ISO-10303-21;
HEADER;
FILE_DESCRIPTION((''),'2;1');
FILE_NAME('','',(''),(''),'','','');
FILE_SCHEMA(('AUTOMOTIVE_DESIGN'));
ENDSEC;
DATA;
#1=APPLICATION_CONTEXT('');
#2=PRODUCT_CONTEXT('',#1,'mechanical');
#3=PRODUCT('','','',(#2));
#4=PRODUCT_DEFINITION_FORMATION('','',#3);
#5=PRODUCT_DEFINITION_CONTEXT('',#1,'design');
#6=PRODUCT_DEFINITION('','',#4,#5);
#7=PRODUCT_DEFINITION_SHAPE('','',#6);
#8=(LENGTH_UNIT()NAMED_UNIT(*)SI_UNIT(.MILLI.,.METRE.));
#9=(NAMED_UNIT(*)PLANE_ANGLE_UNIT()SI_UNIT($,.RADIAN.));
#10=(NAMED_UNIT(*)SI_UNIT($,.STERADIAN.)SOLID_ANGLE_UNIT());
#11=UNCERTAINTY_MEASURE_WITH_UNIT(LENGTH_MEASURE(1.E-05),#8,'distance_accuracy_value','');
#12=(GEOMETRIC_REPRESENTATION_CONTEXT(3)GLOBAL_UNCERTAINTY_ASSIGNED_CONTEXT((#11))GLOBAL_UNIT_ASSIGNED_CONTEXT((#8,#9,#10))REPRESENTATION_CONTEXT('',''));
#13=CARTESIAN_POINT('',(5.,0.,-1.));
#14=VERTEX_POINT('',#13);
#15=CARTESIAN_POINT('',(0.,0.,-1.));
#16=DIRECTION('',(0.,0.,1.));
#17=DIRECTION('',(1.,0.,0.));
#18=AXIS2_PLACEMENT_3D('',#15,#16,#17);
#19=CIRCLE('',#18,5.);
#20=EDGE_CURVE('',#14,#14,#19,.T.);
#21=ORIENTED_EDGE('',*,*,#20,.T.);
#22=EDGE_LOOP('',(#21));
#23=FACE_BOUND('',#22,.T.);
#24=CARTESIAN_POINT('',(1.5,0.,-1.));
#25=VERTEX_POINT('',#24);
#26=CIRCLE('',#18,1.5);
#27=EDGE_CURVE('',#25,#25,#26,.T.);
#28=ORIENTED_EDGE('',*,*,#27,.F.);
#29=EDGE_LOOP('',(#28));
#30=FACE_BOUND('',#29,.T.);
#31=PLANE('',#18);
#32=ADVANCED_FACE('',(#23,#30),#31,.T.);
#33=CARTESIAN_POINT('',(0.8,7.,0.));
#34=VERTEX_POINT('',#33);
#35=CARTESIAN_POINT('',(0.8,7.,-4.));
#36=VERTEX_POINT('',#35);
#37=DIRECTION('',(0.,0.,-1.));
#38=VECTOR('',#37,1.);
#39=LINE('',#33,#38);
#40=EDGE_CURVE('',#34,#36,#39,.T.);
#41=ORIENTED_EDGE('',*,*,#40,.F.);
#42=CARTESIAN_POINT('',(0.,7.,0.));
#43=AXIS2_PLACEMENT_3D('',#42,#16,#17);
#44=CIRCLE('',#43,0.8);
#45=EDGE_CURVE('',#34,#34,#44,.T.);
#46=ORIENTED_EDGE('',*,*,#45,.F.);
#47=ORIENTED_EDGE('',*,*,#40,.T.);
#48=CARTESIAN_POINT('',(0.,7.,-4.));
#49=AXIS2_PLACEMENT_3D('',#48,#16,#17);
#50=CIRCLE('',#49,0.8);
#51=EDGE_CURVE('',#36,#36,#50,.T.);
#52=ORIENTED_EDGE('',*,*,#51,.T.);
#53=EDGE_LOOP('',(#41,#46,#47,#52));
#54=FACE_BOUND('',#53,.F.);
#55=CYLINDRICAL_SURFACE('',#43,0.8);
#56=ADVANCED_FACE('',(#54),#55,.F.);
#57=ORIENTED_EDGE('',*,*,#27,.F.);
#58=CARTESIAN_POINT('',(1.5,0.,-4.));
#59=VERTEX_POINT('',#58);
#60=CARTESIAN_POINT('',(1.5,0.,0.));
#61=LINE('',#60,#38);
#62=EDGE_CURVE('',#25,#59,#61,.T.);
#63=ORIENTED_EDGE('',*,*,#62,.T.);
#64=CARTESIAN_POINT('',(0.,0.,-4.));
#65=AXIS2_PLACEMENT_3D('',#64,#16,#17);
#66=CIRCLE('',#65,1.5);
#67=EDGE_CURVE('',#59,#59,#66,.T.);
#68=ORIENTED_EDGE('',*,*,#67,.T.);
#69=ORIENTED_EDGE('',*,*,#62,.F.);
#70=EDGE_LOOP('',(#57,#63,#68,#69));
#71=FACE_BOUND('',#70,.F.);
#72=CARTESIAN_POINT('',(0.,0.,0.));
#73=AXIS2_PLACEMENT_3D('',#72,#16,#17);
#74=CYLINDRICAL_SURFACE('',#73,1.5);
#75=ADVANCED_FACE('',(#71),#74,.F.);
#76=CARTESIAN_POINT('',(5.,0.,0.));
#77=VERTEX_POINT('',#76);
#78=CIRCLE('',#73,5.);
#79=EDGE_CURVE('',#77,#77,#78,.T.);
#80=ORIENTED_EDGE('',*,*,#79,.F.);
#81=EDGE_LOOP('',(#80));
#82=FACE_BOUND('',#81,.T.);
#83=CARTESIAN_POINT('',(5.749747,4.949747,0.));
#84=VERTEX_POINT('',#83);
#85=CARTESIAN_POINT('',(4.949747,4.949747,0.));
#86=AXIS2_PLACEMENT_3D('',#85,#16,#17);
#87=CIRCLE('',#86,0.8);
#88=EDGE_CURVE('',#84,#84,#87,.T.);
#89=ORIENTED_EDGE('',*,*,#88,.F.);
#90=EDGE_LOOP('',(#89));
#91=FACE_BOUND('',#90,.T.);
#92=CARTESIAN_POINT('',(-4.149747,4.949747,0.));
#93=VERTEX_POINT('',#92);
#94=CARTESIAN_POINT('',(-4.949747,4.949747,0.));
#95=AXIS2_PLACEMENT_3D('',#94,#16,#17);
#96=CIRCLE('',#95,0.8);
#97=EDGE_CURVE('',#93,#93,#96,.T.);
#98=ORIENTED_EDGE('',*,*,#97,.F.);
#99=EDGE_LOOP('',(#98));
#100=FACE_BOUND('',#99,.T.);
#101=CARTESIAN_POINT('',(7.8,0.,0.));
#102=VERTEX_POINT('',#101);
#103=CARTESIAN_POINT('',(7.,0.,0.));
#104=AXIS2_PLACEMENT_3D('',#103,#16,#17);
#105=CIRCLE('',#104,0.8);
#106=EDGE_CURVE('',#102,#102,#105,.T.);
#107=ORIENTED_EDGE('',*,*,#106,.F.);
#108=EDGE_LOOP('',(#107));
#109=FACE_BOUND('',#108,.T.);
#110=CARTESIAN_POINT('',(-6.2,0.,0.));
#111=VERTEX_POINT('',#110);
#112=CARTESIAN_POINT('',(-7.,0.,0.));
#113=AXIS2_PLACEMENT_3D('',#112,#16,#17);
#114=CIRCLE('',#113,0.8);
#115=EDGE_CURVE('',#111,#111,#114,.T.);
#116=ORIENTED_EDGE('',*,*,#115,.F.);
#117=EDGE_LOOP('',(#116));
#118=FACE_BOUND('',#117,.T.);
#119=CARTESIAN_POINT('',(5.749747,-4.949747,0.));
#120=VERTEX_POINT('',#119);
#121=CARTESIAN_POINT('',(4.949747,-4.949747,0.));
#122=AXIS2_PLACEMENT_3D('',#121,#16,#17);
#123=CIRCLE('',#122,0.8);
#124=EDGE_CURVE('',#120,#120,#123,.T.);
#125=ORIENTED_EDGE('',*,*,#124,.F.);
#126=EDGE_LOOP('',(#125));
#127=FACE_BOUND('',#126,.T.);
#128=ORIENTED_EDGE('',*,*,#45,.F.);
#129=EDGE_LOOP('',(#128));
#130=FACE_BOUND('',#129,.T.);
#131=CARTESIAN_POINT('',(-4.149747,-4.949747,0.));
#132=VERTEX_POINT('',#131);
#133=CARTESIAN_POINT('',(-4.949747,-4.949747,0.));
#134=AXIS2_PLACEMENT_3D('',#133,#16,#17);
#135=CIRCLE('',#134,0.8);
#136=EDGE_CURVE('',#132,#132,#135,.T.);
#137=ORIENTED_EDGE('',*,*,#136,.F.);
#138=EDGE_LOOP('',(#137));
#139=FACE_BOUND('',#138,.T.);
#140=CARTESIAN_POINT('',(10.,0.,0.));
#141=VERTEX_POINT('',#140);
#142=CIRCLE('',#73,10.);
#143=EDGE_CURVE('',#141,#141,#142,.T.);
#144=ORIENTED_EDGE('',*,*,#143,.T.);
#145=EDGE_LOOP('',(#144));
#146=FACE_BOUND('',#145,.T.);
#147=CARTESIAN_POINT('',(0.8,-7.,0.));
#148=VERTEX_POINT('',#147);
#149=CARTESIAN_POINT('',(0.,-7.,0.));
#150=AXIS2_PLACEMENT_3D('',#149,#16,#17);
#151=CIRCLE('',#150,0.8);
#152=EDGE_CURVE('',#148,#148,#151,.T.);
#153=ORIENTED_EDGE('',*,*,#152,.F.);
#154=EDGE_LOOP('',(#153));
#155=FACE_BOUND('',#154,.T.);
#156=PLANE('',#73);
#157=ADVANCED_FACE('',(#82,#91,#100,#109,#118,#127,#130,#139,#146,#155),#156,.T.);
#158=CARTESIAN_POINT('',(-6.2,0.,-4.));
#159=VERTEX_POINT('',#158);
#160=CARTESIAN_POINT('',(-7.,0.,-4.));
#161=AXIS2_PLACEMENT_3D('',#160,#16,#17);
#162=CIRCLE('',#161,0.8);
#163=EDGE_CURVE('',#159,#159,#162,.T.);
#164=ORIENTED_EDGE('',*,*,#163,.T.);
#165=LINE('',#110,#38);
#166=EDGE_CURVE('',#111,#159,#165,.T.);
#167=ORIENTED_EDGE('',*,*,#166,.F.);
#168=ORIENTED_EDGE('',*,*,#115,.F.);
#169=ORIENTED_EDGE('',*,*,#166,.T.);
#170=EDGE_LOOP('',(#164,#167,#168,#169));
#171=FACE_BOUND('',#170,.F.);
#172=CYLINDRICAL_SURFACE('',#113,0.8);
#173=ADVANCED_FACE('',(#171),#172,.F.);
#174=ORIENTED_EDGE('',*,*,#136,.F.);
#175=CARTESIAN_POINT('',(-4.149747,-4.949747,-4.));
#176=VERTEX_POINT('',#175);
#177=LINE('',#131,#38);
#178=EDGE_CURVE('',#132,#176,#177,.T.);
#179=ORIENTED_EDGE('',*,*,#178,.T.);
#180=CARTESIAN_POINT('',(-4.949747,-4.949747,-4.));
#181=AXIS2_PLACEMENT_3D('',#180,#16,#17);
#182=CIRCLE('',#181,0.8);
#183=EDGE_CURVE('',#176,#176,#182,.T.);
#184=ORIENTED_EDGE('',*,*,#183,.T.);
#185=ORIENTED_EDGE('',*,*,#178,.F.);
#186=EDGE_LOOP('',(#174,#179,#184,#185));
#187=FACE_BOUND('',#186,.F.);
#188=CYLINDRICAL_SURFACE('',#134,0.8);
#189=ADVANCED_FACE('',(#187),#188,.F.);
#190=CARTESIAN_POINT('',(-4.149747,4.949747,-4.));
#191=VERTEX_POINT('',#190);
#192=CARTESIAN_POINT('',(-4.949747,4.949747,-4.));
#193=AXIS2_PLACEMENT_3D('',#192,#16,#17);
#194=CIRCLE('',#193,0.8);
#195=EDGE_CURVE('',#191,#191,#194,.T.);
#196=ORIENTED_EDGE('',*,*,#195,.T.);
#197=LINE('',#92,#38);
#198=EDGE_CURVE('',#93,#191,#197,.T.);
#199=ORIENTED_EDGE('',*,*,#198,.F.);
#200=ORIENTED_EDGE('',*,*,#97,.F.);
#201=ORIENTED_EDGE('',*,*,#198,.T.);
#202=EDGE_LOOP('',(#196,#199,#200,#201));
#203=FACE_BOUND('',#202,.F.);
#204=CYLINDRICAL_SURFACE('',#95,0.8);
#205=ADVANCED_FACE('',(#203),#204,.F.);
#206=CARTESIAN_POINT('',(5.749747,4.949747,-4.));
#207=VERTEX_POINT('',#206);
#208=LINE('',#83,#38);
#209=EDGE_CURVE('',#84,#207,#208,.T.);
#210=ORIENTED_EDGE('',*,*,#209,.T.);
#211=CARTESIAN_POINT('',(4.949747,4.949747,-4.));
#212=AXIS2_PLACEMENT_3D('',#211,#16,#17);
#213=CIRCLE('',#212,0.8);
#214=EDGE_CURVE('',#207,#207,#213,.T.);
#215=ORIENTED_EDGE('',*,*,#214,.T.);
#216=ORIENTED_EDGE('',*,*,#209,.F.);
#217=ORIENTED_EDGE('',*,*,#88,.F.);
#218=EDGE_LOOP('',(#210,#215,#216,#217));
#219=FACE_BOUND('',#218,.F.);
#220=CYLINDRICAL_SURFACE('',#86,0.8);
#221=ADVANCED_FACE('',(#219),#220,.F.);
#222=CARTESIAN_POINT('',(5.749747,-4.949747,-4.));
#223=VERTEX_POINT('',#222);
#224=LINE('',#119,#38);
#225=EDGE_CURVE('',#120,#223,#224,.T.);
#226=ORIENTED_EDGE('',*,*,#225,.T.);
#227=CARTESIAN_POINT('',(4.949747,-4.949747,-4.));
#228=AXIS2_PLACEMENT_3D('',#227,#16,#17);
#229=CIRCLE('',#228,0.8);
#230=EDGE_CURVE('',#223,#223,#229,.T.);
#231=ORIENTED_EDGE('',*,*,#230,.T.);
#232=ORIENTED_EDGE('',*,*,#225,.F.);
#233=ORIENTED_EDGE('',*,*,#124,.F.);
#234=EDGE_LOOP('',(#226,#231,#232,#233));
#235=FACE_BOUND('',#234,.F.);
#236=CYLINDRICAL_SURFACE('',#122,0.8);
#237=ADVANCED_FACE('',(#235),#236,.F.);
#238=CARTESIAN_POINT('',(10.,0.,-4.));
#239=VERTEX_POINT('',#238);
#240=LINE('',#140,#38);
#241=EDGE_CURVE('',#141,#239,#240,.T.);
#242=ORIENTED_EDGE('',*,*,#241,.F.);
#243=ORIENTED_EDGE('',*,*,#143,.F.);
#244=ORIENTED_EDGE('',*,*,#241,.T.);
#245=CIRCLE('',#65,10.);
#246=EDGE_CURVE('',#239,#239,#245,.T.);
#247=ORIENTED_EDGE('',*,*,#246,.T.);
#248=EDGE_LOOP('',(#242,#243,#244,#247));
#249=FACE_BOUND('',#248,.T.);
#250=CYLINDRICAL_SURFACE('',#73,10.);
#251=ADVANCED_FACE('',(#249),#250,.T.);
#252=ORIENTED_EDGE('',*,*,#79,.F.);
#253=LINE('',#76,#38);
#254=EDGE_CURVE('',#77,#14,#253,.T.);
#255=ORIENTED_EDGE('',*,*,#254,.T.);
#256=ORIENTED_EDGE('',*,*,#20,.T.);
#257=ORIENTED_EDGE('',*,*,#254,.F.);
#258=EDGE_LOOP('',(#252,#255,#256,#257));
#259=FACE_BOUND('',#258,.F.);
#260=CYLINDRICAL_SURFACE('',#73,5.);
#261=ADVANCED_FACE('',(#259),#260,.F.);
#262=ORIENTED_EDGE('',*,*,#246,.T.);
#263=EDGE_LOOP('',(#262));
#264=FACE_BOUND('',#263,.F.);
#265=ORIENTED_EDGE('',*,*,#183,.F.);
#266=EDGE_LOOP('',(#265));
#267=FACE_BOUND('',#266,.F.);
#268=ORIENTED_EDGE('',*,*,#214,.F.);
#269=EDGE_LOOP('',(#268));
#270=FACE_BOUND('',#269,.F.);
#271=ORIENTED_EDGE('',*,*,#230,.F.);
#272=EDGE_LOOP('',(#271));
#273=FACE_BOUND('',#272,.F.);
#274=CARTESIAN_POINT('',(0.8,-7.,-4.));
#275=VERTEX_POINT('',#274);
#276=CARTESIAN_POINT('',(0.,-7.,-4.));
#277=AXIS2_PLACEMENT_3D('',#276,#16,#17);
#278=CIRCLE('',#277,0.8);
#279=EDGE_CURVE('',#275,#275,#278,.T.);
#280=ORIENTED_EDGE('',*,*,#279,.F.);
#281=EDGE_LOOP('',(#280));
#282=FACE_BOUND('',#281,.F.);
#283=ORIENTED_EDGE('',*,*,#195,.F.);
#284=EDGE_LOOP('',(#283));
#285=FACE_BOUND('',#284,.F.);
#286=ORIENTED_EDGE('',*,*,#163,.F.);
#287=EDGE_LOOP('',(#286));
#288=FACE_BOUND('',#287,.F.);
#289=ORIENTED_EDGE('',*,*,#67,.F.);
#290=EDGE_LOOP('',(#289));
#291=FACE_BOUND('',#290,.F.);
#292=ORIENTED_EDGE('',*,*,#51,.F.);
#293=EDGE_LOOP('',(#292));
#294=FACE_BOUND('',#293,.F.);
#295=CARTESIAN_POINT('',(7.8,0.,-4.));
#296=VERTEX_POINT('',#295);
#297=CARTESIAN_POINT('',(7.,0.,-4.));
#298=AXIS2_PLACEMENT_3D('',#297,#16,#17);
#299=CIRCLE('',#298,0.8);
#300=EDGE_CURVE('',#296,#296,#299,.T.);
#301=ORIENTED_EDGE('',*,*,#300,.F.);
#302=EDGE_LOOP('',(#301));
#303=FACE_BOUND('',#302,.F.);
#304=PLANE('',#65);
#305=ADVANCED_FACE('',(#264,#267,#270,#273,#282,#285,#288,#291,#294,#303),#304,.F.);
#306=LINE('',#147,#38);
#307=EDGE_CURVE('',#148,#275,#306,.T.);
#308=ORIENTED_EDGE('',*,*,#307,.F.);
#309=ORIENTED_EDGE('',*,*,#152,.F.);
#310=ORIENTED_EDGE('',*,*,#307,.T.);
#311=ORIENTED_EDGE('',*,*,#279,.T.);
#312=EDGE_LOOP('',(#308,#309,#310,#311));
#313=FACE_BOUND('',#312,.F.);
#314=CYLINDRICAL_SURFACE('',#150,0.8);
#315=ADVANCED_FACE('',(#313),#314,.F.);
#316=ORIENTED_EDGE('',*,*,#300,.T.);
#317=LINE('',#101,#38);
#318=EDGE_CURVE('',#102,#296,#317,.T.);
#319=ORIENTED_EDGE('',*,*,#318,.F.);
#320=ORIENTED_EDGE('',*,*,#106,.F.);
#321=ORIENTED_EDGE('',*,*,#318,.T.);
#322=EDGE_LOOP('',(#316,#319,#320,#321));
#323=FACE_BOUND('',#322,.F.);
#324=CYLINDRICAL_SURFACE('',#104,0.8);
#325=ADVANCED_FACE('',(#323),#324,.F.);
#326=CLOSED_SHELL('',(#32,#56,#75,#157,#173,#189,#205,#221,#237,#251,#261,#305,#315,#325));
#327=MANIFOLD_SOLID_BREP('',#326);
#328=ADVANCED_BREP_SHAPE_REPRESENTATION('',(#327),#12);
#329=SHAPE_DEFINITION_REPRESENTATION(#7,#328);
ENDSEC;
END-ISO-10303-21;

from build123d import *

# Parameters (mm, degrees)
F0_R     = 10
F0_R_2   = 0.8
F0_R_3   = 5
F0_R_4   = 1.5
F1_DEPTH = 4
F2_DEPTH = 1


with BuildPart() as f1:
    # F0 (on Top) → F1 (new body)
    with BuildSketch(Plane.XY):
        Circle(F0_R)
        with Locations((-4.949747, -4.949747)):
            Circle(F0_R_2, mode=Mode.SUBTRACT)
        with Locations((0, -7)):
            Circle(F0_R_2, mode=Mode.SUBTRACT)
        with Locations((4.949747, -4.949747)):
            Circle(F0_R_2, mode=Mode.SUBTRACT)
        with Locations((-7, 0)):
            Circle(F0_R_2, mode=Mode.SUBTRACT)
        with Locations((-4.949747, 4.949747)):
            Circle(F0_R_2, mode=Mode.SUBTRACT)
        Circle(F0_R_3, mode=Mode.SUBTRACT)
        with Locations((4.949747, 4.949747)):
            Circle(F0_R_2, mode=Mode.SUBTRACT)
        with Locations((7, 0)):
            Circle(F0_R_2, mode=Mode.SUBTRACT)
        with Locations((0, 7)):
            Circle(F0_R_2, mode=Mode.SUBTRACT)
        Circle(F0_R_3)
        Circle(F0_R_4, mode=Mode.SUBTRACT)
    extrude(amount=-F1_DEPTH)

    # F0 (on Top) → F2 (cut)
    with BuildSketch(Plane.XY):
        Circle(F0_R_3)
        Circle(F0_R_4, mode=Mode.SUBTRACT)
    extrude(amount=-F2_DEPTH, mode=Mode.SUBTRACT)


solid = f1.part
